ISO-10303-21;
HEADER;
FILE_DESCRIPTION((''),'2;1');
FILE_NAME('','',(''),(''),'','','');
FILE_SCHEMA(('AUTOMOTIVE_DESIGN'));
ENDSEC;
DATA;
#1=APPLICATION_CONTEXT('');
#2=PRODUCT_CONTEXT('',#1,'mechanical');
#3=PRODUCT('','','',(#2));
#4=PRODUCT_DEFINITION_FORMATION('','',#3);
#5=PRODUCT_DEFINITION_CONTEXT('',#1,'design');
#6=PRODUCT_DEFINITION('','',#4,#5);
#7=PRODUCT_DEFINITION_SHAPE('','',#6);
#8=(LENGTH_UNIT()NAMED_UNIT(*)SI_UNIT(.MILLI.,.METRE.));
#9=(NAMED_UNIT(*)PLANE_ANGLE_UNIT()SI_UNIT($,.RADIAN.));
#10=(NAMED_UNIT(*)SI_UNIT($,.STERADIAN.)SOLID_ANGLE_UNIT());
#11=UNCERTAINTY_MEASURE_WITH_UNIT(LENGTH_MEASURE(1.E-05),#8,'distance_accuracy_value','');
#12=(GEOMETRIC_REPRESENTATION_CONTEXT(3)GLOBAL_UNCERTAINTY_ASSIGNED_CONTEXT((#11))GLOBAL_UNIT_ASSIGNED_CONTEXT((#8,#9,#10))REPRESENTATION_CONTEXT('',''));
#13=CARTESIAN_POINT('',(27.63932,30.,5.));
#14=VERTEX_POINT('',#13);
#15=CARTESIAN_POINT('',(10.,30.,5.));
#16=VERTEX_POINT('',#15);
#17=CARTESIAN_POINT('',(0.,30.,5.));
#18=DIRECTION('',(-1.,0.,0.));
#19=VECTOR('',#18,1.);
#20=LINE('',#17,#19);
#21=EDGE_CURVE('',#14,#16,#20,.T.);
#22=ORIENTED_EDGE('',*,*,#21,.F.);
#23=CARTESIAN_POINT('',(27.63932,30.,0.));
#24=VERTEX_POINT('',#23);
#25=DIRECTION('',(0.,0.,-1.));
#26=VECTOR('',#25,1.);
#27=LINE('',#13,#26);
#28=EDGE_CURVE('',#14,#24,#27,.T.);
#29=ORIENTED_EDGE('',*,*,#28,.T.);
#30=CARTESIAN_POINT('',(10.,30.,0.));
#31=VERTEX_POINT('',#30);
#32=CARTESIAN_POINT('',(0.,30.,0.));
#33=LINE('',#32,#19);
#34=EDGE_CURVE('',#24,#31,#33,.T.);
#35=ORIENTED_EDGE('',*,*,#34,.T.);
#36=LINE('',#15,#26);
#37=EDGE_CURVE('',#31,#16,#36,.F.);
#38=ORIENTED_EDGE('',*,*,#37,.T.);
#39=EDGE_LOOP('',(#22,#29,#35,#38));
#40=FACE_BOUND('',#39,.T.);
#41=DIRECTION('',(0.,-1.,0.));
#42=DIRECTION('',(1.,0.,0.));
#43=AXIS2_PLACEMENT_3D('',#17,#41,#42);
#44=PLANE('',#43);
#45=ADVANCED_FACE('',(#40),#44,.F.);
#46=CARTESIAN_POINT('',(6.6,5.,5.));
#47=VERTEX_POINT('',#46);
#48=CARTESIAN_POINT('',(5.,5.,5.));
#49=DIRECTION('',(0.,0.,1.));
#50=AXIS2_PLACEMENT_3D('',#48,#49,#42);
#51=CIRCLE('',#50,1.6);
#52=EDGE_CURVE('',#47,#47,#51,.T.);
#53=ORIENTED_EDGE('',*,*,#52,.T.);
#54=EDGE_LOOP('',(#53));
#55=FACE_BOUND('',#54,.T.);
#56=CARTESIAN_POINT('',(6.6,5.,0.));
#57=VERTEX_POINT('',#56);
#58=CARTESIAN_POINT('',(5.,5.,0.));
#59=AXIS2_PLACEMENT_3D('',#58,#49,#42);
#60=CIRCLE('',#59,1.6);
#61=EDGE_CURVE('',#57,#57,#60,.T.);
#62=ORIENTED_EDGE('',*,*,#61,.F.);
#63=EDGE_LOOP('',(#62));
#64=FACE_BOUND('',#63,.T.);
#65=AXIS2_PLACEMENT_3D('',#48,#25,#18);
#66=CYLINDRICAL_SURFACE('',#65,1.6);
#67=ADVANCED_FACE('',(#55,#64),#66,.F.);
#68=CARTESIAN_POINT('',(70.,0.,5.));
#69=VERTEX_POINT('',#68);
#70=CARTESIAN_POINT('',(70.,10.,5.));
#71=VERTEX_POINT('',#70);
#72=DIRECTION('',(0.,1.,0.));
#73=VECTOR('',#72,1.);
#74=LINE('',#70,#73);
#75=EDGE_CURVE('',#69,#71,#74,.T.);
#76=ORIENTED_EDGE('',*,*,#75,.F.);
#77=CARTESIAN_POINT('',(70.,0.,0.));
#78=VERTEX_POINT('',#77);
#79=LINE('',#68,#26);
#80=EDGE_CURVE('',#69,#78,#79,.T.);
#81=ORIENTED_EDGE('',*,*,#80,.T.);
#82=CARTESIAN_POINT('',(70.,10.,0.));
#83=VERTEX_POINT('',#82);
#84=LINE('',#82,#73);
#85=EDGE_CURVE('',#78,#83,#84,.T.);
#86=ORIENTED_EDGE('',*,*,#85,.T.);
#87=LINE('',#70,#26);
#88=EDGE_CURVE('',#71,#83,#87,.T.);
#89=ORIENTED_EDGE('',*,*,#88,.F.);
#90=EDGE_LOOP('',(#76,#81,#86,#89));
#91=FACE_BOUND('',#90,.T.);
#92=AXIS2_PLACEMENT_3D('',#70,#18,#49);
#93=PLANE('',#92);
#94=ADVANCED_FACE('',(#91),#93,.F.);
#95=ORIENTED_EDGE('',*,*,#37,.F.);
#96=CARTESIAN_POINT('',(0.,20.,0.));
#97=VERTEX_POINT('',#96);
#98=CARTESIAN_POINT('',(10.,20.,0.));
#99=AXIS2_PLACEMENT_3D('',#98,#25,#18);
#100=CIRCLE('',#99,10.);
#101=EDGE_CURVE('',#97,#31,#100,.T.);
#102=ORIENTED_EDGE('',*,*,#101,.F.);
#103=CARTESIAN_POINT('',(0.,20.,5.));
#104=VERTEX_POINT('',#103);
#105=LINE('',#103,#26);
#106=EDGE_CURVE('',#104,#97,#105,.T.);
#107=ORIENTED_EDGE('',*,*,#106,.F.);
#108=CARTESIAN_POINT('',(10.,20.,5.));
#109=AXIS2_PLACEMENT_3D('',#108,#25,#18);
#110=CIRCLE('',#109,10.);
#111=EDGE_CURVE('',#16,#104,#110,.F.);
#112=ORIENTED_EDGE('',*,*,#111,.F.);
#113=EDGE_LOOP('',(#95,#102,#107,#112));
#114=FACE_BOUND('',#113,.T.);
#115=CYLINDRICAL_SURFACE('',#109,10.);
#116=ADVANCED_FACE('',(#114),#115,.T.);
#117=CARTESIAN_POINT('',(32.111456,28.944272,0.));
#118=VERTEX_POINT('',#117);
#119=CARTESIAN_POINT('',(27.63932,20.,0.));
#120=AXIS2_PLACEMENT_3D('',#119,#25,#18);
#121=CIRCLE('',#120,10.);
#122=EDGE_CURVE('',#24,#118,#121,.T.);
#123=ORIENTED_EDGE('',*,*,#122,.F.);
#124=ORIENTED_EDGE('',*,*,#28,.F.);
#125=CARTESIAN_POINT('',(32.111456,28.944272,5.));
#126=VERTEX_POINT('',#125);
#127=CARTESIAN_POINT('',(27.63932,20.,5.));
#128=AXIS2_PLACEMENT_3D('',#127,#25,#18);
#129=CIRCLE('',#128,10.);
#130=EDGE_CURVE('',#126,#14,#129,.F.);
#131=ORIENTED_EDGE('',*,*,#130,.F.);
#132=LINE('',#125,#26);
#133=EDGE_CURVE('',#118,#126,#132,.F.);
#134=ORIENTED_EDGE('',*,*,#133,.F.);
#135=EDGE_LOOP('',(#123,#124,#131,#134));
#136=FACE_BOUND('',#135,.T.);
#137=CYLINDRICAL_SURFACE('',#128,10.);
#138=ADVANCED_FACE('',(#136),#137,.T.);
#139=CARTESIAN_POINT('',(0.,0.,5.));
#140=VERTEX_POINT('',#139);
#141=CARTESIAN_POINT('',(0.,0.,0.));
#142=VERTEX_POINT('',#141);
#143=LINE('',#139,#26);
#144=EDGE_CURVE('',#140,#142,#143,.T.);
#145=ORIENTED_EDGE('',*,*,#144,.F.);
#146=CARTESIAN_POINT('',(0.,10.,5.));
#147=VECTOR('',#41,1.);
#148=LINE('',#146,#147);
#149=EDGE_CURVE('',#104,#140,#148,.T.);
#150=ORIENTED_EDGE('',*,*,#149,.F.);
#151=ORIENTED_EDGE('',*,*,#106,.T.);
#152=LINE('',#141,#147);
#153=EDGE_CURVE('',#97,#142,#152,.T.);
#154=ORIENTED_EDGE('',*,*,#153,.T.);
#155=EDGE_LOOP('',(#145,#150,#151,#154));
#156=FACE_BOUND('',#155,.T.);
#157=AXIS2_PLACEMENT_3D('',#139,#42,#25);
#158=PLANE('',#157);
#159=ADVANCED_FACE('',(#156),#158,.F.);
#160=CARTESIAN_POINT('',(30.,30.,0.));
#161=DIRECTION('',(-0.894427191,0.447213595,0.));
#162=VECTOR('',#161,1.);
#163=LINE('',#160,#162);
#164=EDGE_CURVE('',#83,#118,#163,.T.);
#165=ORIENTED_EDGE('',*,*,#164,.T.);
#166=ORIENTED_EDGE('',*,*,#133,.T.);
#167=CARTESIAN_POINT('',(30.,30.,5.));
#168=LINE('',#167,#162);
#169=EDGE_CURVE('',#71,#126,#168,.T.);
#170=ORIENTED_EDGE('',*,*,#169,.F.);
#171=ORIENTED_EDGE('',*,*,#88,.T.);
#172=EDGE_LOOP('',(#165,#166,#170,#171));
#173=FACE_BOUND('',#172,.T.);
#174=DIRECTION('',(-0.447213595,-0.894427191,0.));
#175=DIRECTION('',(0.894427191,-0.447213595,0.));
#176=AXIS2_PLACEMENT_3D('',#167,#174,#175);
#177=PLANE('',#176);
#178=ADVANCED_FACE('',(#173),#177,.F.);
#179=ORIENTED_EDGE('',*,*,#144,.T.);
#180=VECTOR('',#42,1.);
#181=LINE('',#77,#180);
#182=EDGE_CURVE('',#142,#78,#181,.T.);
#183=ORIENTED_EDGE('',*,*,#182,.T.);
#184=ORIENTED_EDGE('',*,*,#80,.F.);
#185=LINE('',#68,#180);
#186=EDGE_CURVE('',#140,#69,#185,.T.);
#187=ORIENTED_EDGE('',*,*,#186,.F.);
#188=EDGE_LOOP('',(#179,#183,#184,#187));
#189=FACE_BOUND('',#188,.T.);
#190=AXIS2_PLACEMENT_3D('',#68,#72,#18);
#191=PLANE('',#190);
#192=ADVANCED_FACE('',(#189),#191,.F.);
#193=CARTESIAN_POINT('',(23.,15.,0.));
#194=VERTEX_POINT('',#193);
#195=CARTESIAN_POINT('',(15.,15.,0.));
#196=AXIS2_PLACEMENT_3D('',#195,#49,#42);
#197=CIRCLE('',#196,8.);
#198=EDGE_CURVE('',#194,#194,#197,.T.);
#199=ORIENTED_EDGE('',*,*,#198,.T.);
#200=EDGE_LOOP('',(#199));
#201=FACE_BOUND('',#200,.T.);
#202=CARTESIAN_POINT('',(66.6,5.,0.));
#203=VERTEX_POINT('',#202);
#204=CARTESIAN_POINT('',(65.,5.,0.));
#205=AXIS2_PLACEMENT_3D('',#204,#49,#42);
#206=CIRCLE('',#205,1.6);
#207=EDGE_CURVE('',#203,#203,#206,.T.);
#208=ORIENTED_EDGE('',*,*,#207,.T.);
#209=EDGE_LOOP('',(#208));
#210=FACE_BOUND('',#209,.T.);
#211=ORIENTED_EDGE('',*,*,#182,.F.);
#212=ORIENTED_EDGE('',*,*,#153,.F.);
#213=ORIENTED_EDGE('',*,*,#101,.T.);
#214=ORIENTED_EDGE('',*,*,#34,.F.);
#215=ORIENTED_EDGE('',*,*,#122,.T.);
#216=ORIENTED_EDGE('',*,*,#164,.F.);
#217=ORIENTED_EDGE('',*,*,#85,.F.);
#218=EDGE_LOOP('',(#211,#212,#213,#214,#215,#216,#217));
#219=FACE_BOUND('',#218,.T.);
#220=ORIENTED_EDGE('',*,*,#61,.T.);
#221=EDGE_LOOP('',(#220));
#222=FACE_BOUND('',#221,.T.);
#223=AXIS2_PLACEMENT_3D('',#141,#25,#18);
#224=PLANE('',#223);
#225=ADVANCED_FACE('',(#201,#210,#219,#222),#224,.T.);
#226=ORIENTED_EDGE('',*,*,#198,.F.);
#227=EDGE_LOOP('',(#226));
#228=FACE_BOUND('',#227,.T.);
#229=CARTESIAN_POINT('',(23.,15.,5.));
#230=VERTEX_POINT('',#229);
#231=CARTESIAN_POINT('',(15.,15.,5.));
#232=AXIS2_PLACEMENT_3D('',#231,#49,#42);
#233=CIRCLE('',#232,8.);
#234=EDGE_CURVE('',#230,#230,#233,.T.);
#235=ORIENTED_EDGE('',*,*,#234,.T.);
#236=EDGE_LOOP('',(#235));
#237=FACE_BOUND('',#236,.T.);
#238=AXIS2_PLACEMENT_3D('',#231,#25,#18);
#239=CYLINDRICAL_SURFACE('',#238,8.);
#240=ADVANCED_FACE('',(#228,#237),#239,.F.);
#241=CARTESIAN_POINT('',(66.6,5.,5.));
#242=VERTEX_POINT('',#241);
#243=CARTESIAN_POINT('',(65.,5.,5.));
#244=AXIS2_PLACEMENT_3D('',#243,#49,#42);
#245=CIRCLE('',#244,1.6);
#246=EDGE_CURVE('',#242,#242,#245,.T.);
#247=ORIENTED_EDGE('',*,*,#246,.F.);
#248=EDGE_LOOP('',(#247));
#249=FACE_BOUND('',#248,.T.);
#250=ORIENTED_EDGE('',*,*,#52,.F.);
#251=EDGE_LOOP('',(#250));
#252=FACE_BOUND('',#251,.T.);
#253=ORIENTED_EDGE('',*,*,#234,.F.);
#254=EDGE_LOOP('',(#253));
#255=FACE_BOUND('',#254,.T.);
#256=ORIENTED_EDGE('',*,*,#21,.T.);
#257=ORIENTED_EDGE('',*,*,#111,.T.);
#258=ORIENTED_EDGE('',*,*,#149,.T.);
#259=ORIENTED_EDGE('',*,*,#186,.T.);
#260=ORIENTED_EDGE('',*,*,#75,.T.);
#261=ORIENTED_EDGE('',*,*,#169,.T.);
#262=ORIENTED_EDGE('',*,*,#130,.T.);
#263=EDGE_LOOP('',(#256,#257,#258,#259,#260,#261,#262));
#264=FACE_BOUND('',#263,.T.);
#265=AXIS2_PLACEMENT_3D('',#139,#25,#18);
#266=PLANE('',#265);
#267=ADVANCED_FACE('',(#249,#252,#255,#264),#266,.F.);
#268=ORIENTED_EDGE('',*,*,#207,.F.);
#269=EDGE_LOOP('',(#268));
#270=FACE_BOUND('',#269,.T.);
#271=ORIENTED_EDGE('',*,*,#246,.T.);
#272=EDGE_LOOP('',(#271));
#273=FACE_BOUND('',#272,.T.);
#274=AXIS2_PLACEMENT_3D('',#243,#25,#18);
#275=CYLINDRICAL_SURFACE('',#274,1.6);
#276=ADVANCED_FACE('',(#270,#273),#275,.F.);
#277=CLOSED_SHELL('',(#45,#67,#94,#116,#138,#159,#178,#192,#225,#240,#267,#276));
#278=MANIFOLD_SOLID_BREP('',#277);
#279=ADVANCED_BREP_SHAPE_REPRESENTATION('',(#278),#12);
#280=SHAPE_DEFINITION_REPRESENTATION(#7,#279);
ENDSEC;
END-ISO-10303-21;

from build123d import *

# Parameters (mm, degrees)
SKETCH_1_R      = 8
SKETCH_1_R_2    = 1.6
EXTRUDE_1_DEPTH = 5
FILLET_1_R      = 10


with BuildPart() as part:
    # ｽｹｯﾁ1 → ﾎﾞｽ - 押し出し1 (new body)
    with BuildSketch(Plane.XY):
        Polygon((0, 0), (0, 10), (0, 30), (30, 30), (70, 10), (70, 0), align=None)
        with Locations((15, 15)):
            Circle(SKETCH_1_R, mode=Mode.SUBTRACT)
        with Locations((5, 5)):
            Circle(SKETCH_1_R_2, mode=Mode.SUBTRACT)
        with Locations((65, 5)):
            Circle(SKETCH_1_R_2, mode=Mode.SUBTRACT)
    extrude(amount=EXTRUDE_1_DEPTH)

    # ﾌｨﾚｯﾄ1
    fillet_1_edges = [part.edges().sort_by_distance(p)[0] for p in [
        (0, 30, 2.5),
        (30, 30, 2.5),
    ]]
    fillet(fillet_1_edges, radius=FILLET_1_R)


solid = part.part
